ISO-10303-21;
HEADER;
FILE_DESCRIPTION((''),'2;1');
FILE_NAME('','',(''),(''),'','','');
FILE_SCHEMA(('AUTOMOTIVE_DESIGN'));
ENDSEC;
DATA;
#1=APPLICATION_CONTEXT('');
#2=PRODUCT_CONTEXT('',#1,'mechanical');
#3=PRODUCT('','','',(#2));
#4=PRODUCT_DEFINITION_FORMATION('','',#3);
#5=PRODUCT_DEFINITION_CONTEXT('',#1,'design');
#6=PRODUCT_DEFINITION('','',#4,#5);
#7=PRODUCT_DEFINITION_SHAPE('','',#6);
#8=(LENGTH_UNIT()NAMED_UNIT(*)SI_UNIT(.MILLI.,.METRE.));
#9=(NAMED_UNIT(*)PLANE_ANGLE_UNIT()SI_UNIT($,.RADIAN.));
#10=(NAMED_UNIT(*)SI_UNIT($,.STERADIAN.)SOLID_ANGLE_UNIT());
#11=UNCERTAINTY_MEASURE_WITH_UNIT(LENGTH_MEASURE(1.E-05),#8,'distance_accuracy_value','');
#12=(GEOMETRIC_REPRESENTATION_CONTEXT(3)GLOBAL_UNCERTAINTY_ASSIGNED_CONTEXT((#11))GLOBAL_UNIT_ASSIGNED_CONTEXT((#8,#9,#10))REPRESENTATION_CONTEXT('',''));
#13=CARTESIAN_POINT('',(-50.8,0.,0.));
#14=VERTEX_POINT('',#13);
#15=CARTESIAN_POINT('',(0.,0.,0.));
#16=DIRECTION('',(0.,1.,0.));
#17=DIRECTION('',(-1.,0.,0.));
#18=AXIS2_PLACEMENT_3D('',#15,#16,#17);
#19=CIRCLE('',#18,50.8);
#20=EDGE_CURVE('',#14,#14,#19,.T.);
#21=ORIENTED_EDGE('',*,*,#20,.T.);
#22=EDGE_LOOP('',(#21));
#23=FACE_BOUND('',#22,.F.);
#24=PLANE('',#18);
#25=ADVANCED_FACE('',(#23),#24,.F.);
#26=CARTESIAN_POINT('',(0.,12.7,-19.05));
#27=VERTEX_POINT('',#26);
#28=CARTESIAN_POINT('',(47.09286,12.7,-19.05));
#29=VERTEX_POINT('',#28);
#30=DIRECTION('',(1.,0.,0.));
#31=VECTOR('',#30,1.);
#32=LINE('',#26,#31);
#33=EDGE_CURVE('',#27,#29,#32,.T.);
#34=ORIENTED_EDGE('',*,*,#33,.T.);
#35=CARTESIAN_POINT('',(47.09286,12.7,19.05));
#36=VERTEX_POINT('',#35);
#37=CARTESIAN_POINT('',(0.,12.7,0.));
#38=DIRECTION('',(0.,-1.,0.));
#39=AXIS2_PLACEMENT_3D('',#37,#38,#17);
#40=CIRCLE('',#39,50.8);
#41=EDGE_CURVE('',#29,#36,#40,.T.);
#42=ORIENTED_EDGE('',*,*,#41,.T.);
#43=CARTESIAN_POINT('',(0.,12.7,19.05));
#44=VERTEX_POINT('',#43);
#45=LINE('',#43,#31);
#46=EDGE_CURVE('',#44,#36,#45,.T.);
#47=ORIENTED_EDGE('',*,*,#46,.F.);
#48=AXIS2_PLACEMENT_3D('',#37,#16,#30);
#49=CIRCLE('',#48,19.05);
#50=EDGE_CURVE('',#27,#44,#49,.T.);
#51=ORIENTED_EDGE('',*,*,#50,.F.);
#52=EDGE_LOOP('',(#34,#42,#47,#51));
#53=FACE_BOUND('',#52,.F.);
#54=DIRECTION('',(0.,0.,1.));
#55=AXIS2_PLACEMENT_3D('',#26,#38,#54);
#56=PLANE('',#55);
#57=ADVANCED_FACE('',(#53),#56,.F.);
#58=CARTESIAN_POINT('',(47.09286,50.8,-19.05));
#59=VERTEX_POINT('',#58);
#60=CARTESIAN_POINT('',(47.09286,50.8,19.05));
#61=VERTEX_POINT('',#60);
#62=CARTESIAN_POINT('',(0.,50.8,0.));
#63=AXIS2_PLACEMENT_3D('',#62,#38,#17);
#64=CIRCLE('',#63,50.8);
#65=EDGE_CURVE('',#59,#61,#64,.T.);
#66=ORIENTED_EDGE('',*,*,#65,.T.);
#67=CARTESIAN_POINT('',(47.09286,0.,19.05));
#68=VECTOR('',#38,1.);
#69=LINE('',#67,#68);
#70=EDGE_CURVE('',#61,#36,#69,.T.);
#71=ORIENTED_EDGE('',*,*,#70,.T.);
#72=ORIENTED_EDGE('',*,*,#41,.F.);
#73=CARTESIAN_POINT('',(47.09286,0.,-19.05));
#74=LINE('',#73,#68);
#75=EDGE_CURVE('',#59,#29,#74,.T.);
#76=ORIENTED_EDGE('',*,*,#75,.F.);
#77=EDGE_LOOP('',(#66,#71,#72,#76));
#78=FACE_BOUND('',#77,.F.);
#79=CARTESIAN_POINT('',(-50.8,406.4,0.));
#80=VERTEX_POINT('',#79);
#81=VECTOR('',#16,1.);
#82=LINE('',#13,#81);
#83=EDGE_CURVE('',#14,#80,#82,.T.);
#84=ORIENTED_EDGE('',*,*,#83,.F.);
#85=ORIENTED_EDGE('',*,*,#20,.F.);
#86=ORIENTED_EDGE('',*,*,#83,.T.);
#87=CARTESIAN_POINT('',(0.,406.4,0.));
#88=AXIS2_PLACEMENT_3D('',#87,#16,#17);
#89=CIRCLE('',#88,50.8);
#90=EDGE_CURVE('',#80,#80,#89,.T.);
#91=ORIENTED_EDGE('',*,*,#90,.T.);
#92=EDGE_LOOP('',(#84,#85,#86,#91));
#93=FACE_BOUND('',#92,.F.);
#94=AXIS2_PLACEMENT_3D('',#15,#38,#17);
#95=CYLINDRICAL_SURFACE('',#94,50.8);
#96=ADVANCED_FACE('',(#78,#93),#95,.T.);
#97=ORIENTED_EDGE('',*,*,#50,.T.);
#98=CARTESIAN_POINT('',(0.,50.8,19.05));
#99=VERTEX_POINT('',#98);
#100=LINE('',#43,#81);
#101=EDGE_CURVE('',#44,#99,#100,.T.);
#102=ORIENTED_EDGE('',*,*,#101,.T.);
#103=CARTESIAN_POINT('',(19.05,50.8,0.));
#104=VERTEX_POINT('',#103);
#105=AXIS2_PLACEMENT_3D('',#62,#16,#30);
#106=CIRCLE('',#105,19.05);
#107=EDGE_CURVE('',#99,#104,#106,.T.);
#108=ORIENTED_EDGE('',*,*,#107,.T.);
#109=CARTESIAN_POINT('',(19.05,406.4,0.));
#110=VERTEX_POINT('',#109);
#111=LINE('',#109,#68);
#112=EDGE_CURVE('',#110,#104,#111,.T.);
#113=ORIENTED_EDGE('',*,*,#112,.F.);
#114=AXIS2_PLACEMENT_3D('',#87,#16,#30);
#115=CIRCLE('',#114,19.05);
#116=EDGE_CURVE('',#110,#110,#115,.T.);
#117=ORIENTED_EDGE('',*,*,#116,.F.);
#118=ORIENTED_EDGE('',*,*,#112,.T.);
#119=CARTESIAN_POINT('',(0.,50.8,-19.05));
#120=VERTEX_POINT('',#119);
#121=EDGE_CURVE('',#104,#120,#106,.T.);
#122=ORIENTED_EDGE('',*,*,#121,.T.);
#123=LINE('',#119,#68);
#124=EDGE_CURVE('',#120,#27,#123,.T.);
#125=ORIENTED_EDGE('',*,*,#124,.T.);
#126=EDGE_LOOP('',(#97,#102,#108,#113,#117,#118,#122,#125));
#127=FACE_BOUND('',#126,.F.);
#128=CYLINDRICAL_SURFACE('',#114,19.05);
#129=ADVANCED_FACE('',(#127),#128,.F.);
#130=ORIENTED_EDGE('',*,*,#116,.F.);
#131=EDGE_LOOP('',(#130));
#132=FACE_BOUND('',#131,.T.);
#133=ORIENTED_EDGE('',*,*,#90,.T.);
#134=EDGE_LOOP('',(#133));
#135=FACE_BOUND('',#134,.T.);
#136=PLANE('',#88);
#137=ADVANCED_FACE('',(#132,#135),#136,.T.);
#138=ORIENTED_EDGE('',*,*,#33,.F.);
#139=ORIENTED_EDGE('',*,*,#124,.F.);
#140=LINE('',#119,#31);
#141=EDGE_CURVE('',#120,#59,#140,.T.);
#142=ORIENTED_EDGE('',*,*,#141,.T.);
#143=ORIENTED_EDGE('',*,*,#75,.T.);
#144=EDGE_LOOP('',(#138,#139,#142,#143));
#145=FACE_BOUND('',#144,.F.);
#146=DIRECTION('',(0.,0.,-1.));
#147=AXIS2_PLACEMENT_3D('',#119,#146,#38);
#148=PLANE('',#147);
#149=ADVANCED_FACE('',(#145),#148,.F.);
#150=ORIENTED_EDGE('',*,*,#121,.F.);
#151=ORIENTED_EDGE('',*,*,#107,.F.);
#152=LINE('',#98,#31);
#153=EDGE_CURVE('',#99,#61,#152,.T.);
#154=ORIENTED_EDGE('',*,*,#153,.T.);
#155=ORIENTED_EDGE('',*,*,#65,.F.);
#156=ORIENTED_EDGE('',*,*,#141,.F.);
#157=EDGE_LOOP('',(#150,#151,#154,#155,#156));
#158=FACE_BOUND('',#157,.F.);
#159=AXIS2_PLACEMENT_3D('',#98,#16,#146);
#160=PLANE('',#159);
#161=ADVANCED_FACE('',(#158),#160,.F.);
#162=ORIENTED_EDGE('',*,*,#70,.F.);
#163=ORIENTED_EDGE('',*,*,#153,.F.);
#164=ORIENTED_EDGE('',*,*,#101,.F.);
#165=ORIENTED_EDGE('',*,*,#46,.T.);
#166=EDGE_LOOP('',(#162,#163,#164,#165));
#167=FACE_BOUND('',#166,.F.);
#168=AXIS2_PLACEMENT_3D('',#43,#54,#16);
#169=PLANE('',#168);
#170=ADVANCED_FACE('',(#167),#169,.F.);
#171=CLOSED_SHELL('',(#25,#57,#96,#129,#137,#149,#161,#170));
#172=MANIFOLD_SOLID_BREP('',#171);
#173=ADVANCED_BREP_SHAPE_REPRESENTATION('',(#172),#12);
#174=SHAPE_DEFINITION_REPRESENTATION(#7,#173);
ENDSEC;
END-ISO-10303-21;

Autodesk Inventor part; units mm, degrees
ref_plane "YZ Plane" through (0, 0, 0) normal (1, 0, 0) x (0, 1, 0)
ref_plane "XZ Plane" through (0, 0, 0) normal (0, 1, 0) x (-1, 0, 0)
ref_plane "XY Plane" through (0, 0, 0) normal (0, 0, 1) x (1, 0, 0)
sketch "Sketch1" plane through (0, 0, 0) normal (0, 1, 0) x (-1, 0, 0)
  circle A0 centre (0, 0) radius 50.8
  dimension "d0" = 101.6
extrude "Extrusion1" add sketch "Sketch1" along normal blind 406.4
sketch "Sketch2" plane through (0, 0, 0) normal (1, 0, 0) x (0, 1, 0)
  line L0 (0, -50.8) -> (0, 50.8) projected
  line L1 (12.7, 19.05) -> (50.8, 19.05)
  line L2 (50.8, 19.05) -> (50.8, -19.05)
  line L3 (50.8, -19.05) -> (12.7, -19.05)
  line L4 (12.7, -19.05) -> (12.7, 19.05)
  point P0 (0, 0)
  dimension "d5" = 38.1
  dimension "d6" = 38.1
extrude "Extrusion2" cut sketch "Sketch2" along normal blind 101.6
sketch "Sketch3" plane through (0, 406.4, 0) normal (0, 1, 0) x (1, 0, 0)
  circle A0 centre (0, 0) radius 19.05
  dimension "d9" = 38.1
extrude "Extrusion3" cut sketch "Sketch3" against normal blind 393.7
properties part number "Shaft Connecting Chassis"
